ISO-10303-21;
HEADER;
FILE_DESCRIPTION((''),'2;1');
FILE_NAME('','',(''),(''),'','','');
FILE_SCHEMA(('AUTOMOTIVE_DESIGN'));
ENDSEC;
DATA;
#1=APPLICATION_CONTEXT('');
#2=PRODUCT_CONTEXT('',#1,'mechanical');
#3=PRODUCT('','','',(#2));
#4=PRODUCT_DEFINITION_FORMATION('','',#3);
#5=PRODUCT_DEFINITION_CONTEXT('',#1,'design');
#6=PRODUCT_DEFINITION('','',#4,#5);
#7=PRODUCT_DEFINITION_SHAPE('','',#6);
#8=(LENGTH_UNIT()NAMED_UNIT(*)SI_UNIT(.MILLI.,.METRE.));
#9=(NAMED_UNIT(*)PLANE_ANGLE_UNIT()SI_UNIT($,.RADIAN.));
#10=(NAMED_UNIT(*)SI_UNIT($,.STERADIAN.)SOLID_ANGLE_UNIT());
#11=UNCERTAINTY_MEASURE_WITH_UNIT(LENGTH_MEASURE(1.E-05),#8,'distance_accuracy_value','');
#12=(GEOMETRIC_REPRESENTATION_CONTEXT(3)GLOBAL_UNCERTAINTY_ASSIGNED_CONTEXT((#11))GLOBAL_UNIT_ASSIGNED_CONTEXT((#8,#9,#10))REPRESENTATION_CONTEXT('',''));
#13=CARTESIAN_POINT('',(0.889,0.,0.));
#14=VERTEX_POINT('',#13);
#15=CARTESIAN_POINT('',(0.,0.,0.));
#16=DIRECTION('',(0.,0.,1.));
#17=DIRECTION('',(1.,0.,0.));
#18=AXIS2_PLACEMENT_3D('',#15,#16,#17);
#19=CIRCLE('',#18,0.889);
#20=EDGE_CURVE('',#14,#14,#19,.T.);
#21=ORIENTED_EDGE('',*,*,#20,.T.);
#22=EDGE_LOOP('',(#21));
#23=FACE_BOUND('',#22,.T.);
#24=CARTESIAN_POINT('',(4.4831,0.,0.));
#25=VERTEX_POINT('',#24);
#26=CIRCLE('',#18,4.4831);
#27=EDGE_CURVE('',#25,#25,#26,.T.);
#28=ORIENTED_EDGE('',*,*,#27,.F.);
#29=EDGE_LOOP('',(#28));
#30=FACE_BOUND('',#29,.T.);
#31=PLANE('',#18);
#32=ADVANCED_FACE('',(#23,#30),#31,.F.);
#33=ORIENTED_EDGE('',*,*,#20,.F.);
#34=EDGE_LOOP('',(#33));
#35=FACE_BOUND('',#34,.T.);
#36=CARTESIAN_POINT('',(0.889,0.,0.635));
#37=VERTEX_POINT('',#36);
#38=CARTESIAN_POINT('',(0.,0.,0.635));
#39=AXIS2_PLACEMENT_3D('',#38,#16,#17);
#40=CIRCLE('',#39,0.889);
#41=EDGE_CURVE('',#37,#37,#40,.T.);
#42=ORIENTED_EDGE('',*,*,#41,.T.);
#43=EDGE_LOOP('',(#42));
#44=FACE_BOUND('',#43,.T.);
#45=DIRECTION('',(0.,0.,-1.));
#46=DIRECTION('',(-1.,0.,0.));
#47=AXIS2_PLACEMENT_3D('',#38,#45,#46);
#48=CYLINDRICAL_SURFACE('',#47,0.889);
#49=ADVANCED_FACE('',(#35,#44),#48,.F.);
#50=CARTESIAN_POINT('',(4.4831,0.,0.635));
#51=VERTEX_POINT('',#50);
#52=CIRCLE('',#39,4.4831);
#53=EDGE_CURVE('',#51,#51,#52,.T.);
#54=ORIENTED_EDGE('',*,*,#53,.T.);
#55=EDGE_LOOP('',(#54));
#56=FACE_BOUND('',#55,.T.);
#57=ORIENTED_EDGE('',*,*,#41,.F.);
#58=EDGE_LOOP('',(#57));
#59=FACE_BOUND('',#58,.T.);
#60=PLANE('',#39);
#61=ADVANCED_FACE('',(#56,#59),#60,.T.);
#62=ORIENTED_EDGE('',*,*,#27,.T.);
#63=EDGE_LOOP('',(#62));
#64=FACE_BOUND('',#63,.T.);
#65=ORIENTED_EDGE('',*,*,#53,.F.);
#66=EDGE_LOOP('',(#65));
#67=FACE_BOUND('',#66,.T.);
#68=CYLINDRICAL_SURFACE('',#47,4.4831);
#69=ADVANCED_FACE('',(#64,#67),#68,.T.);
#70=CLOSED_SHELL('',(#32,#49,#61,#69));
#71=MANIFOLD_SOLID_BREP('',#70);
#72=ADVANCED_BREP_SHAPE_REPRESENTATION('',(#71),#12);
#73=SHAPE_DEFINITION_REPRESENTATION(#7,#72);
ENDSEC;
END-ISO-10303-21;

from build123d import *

# Parameters (mm, degrees)
SKETCH1_R   = 4.4831
SKETCH1_R_2 = 0.889
PLATE_DEPTH = 0.635


with BuildPart() as part:
    # Sketch1 → Plate (new body)
    with BuildSketch(Plane.XY):
        Circle(SKETCH1_R)
        Circle(SKETCH1_R_2, mode=Mode.SUBTRACT)
    extrude(amount=PLATE_DEPTH)


solid = part.part
